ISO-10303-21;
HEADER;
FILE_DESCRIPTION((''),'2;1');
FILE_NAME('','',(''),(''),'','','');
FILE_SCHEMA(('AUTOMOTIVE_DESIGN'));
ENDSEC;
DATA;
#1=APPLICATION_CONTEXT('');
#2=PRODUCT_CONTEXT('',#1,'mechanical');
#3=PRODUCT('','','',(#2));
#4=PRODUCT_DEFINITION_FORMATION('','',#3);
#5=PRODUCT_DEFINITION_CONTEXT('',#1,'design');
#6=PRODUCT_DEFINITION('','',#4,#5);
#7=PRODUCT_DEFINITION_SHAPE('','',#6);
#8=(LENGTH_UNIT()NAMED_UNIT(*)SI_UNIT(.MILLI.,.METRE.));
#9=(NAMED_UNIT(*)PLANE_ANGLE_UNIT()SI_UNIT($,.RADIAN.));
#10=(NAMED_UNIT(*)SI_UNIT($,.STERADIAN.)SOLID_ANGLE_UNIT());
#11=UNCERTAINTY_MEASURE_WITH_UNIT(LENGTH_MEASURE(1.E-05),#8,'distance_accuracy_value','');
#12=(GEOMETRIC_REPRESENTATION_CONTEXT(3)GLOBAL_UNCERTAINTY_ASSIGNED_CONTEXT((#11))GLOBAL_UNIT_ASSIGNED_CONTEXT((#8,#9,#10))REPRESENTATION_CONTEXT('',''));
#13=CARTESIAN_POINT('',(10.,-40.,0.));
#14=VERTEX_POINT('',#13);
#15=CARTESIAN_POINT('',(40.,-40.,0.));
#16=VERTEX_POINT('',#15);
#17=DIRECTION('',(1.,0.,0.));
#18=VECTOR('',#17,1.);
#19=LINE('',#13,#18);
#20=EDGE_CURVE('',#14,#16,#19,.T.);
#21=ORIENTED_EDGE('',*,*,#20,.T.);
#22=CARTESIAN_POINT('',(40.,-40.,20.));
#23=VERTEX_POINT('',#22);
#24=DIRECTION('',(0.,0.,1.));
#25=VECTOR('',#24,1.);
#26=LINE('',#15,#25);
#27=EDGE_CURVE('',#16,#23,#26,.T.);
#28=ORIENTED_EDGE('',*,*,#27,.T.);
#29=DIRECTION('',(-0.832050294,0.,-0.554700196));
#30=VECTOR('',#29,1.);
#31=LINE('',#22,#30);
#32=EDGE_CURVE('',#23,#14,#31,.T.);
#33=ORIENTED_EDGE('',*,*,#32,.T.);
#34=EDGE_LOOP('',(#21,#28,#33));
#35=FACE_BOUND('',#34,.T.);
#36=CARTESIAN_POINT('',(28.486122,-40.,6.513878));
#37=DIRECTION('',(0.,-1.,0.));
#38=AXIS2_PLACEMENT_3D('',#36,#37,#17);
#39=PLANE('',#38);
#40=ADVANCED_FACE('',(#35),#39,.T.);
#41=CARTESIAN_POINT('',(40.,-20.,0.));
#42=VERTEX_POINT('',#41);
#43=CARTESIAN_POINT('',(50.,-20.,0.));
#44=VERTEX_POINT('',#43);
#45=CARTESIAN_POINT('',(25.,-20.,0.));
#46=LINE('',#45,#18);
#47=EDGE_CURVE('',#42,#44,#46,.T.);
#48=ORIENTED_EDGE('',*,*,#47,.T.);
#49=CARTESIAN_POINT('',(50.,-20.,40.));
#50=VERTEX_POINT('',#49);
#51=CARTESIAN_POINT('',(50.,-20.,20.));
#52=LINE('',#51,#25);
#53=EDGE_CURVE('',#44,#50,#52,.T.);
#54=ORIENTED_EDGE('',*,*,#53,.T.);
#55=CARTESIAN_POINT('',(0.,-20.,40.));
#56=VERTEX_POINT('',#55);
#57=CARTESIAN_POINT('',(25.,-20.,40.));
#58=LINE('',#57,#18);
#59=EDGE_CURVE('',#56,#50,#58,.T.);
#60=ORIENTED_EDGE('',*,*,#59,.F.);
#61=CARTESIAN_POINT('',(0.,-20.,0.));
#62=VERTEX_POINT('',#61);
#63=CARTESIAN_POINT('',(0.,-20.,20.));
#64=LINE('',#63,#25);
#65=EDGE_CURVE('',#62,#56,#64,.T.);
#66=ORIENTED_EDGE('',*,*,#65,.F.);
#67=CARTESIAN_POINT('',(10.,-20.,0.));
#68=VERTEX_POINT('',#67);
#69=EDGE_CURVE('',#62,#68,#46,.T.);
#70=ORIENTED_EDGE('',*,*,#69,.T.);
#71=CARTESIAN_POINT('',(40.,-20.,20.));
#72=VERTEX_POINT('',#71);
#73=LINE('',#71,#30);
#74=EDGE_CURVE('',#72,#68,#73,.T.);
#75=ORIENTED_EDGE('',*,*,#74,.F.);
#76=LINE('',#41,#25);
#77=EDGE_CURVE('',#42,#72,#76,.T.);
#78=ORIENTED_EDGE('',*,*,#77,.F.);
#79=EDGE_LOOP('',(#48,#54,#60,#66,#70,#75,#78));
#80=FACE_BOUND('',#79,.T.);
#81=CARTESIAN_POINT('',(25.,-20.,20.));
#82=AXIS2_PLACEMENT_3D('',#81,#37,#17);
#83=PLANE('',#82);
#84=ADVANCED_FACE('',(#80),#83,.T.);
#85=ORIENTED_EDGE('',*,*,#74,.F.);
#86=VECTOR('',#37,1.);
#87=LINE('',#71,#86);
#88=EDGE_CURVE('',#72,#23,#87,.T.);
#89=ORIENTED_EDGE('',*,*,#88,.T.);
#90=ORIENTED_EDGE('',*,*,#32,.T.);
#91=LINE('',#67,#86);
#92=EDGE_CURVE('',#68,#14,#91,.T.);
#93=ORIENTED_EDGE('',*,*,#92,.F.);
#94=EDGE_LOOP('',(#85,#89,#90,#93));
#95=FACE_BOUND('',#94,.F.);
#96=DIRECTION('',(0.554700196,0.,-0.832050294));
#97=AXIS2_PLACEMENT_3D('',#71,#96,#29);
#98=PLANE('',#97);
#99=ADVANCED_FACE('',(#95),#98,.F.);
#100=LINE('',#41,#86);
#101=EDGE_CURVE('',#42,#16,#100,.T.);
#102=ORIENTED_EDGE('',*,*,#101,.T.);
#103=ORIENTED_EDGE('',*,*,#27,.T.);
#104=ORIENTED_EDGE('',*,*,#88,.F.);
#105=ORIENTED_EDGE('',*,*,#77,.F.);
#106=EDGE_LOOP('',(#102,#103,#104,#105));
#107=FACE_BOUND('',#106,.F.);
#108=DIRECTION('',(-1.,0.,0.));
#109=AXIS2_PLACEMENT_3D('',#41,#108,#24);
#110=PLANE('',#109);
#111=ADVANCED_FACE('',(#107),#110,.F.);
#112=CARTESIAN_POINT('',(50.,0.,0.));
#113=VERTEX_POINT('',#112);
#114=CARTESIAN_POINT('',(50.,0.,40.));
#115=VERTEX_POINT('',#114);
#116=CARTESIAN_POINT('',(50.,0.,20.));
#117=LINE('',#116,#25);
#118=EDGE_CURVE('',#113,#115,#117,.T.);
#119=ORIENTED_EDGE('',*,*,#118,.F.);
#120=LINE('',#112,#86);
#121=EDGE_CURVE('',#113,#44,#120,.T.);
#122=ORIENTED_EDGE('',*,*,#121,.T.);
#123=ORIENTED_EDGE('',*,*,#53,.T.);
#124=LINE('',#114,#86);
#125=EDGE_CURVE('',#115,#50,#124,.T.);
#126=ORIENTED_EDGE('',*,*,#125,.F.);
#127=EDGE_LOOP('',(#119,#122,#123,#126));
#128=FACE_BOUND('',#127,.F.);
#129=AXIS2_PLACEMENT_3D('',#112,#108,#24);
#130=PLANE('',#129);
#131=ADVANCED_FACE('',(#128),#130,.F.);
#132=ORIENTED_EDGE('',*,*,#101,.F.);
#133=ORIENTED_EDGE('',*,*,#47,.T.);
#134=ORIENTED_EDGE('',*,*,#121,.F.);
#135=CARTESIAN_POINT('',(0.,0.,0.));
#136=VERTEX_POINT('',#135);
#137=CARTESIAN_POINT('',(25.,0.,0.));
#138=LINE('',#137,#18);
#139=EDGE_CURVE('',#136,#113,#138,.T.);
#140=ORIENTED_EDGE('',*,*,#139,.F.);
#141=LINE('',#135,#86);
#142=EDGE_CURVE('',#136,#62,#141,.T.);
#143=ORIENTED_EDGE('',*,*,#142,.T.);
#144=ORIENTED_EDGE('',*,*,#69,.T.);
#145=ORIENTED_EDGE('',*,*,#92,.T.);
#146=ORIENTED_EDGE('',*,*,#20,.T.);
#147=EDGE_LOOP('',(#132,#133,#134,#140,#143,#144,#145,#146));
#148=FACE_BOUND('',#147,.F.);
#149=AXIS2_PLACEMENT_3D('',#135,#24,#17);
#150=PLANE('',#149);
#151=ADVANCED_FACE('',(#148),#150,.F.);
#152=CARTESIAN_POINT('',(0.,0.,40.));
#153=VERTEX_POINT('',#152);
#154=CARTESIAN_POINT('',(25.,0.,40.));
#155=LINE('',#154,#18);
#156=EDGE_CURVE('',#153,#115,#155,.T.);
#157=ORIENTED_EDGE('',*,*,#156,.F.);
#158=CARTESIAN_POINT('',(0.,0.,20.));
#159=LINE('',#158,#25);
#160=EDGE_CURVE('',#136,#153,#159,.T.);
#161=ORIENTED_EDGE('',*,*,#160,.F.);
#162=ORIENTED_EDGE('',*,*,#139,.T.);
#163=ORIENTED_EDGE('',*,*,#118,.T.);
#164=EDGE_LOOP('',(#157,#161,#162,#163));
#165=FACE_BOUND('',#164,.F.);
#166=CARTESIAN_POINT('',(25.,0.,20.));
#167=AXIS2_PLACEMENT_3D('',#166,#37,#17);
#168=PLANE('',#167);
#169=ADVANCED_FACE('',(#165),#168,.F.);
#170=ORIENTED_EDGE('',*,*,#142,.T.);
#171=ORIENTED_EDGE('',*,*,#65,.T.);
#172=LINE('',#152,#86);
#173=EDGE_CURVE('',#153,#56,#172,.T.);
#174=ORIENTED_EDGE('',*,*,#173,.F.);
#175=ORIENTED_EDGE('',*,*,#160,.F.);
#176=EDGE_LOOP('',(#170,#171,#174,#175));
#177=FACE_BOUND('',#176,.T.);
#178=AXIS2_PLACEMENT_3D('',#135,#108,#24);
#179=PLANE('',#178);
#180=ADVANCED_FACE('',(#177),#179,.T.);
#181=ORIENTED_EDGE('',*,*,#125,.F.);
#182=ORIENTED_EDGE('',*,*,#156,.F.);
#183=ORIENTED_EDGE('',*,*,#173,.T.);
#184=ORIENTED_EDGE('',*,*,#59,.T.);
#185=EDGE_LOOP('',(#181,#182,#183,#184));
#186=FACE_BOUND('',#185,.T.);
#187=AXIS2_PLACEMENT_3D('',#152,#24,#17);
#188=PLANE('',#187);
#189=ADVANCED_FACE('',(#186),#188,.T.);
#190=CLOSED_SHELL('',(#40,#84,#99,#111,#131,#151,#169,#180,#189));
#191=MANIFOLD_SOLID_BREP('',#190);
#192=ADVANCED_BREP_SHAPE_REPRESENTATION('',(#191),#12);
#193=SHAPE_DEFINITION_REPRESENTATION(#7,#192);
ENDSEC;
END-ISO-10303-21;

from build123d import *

# Parameters (mm, degrees)
F0_W     = 50
F0_H     = 40
F1_DEPTH = 20
F3_DEPTH = 20


with BuildPart() as f1:
    # F0 (on Front) → F1 (new body)
    with BuildSketch(Plane.XZ):
        with Locations((25, 20)):
            Rectangle(F0_W, F0_H)
    extrude(amount=F1_DEPTH)

    # F2 (on face) → F3 (join)
    with BuildSketch(Plane.XZ.offset(20)):
        Polygon((40, 20), (10, 0), (40, 0), align=None)
    extrude(amount=F3_DEPTH)


solid = f1.part
